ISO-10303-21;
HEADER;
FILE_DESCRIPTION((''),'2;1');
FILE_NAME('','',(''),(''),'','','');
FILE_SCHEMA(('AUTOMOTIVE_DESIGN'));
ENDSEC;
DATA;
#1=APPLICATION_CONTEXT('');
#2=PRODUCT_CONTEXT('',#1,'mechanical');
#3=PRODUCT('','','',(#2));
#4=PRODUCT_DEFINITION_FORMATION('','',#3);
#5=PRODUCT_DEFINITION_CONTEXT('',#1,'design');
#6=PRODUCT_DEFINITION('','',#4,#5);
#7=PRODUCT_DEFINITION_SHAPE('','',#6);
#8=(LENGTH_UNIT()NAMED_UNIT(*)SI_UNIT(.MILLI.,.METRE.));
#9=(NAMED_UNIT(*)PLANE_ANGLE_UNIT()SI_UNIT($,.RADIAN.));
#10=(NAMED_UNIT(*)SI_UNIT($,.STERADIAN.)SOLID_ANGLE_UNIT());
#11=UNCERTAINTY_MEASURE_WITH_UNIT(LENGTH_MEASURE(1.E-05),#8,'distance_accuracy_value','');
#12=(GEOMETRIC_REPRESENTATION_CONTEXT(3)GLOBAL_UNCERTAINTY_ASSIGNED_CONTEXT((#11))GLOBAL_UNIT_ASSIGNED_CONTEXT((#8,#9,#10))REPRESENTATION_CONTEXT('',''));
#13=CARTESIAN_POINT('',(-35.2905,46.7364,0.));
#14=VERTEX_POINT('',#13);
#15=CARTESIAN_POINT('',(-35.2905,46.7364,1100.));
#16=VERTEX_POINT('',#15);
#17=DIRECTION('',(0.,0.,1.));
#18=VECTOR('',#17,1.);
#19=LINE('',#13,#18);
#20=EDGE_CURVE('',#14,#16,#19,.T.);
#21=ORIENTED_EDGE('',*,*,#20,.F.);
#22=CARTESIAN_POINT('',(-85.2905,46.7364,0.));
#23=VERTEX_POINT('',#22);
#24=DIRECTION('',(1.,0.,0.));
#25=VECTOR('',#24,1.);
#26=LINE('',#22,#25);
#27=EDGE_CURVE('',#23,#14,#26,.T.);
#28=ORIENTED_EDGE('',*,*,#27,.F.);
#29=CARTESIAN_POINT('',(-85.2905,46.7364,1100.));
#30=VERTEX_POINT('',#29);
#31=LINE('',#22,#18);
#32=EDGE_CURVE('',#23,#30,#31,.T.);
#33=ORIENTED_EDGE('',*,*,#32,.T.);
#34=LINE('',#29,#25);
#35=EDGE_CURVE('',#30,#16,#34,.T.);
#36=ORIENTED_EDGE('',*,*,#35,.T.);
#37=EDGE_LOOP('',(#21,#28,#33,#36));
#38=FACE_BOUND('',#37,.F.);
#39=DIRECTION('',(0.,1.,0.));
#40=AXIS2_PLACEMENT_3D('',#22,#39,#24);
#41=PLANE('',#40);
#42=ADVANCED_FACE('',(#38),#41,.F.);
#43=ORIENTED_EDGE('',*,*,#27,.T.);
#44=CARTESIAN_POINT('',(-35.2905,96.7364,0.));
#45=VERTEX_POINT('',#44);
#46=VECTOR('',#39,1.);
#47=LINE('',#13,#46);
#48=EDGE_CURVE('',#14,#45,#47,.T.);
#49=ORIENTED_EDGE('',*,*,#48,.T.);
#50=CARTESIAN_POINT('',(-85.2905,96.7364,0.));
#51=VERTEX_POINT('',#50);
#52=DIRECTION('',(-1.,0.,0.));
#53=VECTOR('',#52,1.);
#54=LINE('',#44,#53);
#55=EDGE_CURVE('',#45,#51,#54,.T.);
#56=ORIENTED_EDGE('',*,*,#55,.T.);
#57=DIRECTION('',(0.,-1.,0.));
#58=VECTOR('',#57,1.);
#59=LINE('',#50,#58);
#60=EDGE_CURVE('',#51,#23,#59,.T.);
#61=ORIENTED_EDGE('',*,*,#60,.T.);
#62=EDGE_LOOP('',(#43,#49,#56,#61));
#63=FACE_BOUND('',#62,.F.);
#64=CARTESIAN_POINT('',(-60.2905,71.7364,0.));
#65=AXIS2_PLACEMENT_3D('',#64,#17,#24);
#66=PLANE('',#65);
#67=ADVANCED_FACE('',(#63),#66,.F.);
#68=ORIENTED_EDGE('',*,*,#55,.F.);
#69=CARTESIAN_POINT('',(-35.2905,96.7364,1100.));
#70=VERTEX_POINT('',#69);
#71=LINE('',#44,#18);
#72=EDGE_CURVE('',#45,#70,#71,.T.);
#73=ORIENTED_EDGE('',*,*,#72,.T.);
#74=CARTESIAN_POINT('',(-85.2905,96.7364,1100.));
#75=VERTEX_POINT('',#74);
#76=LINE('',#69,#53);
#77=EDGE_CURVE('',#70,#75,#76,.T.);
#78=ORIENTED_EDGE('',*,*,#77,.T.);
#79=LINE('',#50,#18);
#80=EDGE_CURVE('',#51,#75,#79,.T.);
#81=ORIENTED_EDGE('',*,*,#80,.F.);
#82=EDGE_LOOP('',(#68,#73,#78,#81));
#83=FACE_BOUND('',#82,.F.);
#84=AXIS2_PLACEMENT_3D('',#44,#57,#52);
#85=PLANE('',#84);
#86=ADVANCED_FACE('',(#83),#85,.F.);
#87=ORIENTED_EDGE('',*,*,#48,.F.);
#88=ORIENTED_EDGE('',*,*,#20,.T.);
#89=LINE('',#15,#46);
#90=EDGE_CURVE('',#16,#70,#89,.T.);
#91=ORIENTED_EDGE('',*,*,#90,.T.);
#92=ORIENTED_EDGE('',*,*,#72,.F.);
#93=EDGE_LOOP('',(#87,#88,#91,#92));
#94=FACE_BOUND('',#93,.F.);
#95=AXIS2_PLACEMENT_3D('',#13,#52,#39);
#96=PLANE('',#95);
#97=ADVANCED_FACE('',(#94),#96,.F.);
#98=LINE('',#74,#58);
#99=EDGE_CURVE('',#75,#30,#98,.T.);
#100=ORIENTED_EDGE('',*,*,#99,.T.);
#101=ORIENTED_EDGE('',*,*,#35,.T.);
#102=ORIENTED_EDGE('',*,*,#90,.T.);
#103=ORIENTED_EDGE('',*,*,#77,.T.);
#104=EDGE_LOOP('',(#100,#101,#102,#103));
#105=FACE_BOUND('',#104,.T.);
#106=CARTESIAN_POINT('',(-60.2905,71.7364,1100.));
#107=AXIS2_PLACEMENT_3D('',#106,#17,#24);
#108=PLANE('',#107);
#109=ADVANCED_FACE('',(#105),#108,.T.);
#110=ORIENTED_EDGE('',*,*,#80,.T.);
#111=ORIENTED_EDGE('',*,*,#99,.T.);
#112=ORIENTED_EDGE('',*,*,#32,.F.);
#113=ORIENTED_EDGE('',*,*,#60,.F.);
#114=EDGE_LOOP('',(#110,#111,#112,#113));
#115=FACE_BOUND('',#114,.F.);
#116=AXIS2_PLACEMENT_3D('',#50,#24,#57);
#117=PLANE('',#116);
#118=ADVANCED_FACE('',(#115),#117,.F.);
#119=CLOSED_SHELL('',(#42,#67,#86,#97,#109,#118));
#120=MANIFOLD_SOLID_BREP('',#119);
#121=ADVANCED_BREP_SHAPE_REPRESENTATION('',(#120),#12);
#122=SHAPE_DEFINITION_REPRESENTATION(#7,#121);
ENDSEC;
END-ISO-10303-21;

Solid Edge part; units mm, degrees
sketch "Sketch1" plane through (0, 0, 0) normal (0, 0, 1) x (1, 0, 0)
  line L0 (-85.2905, 46.7364) -> (-35.2905, 46.7364)
  line L1 (-35.2905, 46.7364) -> (-35.2905, 96.7364)
  line L2 (-35.2905, 96.7364) -> (-85.2905, 96.7364)
  line L3 (-85.2905, 96.7364) -> (-85.2905, 46.7364)
extrude "Protrusion1" add sketch "Sketch1" along normal blind 1100
